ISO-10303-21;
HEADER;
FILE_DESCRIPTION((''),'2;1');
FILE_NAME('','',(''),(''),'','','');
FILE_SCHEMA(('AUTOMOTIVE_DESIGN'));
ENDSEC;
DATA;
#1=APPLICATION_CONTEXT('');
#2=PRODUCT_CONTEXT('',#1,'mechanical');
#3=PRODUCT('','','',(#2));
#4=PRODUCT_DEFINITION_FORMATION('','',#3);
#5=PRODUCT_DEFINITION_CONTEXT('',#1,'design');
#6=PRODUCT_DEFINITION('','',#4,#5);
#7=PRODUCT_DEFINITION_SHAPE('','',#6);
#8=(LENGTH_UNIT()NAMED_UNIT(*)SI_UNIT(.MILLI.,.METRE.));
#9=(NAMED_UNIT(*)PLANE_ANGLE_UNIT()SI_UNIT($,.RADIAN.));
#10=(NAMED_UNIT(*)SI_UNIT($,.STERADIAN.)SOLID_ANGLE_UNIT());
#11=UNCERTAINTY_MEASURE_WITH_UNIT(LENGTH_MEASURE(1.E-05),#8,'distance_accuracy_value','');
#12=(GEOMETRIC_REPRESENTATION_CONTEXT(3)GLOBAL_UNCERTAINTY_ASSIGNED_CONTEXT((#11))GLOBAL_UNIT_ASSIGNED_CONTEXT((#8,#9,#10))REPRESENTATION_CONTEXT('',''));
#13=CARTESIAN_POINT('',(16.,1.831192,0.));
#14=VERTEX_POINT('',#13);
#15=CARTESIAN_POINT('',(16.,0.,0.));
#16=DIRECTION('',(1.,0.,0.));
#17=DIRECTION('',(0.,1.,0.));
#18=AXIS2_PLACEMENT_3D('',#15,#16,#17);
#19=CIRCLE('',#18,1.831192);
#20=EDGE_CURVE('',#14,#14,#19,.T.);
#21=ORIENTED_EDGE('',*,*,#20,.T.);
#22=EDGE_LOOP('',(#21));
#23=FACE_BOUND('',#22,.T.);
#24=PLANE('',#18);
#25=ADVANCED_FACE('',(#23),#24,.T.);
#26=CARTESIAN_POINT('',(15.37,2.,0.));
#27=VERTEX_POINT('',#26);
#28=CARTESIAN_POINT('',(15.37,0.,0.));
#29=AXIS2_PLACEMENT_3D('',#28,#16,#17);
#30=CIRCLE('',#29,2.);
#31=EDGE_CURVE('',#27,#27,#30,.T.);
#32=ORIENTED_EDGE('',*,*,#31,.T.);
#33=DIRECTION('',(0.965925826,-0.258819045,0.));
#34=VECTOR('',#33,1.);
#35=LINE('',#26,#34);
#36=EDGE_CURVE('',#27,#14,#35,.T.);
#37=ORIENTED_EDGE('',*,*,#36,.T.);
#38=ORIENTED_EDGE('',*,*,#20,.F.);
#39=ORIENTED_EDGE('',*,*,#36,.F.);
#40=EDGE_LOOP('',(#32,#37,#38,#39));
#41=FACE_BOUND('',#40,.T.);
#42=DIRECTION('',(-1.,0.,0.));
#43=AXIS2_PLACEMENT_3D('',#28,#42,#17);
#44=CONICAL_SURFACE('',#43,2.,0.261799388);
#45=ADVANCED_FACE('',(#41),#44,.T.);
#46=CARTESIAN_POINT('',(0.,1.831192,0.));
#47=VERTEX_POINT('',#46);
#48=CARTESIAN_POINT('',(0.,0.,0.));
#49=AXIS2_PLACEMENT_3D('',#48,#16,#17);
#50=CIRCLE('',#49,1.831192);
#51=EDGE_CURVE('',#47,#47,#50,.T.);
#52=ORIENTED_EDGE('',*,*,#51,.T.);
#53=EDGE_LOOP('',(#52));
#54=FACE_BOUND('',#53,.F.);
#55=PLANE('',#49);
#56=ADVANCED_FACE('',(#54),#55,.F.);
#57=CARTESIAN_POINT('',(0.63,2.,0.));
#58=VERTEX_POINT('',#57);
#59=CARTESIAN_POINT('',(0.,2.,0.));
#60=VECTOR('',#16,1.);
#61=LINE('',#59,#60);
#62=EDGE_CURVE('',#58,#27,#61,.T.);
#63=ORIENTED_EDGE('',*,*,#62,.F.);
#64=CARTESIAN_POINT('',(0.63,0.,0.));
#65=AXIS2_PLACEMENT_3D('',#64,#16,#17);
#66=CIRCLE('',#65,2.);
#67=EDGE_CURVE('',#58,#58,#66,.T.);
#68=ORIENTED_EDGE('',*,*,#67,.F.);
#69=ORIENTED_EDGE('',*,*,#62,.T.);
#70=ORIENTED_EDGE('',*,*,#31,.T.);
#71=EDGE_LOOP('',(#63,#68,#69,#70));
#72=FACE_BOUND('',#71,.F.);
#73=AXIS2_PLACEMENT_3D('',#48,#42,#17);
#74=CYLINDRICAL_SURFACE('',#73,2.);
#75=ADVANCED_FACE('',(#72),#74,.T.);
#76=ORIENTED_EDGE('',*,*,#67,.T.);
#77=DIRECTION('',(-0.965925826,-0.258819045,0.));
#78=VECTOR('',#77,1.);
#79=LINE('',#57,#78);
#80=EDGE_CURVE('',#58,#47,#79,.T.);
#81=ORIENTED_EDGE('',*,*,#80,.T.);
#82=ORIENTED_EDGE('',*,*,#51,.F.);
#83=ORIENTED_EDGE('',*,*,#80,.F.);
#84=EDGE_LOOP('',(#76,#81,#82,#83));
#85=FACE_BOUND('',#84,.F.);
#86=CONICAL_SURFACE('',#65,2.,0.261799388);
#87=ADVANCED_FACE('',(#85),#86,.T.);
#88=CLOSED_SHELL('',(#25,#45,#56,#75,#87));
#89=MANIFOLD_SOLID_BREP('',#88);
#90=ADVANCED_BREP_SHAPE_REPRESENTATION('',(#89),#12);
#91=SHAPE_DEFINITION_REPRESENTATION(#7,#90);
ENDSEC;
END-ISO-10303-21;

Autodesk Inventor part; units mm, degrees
ref_plane "YZ Plane" through (0, 0, 0) normal (1, 0, 0) x (0, 1, 0)
ref_plane "XZ Plane" through (0, 0, 0) normal (0, 1, 0) x (-1, 0, 0)
ref_plane "XY Plane" through (0, 0, 0) normal (0, 0, 1) x (1, 0, 0)
sketch "Skizze" plane through (0, 0, 0) normal (1, 0, 0) x (0, 1, 0)
  circle A0 centre (0, 0) radius 2
  dimension "d1" = 4
extrude "Körper" add sketch "Skizze" along normal blind 16
chamfer "Fase1" distance 0.63 angle 15 1 edges at (0, -2, 0) measured on face at (10.6667, 1.9935, -0.1609)
chamfer "Skizze2" distance 0.63 angle 15 1 edges at (16, -2, 0) measured on face at (10.8767, 1.9935, -0.1609)
equation "\"d1\" = NND"
equation "\"d2\" = NLG"
equation "\"d8\" = PHH"
equation "\"d9\" = FAWI"
equation "\"d12\" = PHH"
equation "\"d4\" = PHH"
equation "\"d5\" = FAWI"
equation "\"d11\" = PHH"
equation "\"NND\" = 4"
equation "\"NLG\" = 16"
equation "\"PHH\" = 0.63"
equation "\"FAWI\" = 15deg"
equation "\"KAH\" = 0"
properties part number "ISO 2338 - 4 m6 x 16" material "Edelstahl, austenitisch"
